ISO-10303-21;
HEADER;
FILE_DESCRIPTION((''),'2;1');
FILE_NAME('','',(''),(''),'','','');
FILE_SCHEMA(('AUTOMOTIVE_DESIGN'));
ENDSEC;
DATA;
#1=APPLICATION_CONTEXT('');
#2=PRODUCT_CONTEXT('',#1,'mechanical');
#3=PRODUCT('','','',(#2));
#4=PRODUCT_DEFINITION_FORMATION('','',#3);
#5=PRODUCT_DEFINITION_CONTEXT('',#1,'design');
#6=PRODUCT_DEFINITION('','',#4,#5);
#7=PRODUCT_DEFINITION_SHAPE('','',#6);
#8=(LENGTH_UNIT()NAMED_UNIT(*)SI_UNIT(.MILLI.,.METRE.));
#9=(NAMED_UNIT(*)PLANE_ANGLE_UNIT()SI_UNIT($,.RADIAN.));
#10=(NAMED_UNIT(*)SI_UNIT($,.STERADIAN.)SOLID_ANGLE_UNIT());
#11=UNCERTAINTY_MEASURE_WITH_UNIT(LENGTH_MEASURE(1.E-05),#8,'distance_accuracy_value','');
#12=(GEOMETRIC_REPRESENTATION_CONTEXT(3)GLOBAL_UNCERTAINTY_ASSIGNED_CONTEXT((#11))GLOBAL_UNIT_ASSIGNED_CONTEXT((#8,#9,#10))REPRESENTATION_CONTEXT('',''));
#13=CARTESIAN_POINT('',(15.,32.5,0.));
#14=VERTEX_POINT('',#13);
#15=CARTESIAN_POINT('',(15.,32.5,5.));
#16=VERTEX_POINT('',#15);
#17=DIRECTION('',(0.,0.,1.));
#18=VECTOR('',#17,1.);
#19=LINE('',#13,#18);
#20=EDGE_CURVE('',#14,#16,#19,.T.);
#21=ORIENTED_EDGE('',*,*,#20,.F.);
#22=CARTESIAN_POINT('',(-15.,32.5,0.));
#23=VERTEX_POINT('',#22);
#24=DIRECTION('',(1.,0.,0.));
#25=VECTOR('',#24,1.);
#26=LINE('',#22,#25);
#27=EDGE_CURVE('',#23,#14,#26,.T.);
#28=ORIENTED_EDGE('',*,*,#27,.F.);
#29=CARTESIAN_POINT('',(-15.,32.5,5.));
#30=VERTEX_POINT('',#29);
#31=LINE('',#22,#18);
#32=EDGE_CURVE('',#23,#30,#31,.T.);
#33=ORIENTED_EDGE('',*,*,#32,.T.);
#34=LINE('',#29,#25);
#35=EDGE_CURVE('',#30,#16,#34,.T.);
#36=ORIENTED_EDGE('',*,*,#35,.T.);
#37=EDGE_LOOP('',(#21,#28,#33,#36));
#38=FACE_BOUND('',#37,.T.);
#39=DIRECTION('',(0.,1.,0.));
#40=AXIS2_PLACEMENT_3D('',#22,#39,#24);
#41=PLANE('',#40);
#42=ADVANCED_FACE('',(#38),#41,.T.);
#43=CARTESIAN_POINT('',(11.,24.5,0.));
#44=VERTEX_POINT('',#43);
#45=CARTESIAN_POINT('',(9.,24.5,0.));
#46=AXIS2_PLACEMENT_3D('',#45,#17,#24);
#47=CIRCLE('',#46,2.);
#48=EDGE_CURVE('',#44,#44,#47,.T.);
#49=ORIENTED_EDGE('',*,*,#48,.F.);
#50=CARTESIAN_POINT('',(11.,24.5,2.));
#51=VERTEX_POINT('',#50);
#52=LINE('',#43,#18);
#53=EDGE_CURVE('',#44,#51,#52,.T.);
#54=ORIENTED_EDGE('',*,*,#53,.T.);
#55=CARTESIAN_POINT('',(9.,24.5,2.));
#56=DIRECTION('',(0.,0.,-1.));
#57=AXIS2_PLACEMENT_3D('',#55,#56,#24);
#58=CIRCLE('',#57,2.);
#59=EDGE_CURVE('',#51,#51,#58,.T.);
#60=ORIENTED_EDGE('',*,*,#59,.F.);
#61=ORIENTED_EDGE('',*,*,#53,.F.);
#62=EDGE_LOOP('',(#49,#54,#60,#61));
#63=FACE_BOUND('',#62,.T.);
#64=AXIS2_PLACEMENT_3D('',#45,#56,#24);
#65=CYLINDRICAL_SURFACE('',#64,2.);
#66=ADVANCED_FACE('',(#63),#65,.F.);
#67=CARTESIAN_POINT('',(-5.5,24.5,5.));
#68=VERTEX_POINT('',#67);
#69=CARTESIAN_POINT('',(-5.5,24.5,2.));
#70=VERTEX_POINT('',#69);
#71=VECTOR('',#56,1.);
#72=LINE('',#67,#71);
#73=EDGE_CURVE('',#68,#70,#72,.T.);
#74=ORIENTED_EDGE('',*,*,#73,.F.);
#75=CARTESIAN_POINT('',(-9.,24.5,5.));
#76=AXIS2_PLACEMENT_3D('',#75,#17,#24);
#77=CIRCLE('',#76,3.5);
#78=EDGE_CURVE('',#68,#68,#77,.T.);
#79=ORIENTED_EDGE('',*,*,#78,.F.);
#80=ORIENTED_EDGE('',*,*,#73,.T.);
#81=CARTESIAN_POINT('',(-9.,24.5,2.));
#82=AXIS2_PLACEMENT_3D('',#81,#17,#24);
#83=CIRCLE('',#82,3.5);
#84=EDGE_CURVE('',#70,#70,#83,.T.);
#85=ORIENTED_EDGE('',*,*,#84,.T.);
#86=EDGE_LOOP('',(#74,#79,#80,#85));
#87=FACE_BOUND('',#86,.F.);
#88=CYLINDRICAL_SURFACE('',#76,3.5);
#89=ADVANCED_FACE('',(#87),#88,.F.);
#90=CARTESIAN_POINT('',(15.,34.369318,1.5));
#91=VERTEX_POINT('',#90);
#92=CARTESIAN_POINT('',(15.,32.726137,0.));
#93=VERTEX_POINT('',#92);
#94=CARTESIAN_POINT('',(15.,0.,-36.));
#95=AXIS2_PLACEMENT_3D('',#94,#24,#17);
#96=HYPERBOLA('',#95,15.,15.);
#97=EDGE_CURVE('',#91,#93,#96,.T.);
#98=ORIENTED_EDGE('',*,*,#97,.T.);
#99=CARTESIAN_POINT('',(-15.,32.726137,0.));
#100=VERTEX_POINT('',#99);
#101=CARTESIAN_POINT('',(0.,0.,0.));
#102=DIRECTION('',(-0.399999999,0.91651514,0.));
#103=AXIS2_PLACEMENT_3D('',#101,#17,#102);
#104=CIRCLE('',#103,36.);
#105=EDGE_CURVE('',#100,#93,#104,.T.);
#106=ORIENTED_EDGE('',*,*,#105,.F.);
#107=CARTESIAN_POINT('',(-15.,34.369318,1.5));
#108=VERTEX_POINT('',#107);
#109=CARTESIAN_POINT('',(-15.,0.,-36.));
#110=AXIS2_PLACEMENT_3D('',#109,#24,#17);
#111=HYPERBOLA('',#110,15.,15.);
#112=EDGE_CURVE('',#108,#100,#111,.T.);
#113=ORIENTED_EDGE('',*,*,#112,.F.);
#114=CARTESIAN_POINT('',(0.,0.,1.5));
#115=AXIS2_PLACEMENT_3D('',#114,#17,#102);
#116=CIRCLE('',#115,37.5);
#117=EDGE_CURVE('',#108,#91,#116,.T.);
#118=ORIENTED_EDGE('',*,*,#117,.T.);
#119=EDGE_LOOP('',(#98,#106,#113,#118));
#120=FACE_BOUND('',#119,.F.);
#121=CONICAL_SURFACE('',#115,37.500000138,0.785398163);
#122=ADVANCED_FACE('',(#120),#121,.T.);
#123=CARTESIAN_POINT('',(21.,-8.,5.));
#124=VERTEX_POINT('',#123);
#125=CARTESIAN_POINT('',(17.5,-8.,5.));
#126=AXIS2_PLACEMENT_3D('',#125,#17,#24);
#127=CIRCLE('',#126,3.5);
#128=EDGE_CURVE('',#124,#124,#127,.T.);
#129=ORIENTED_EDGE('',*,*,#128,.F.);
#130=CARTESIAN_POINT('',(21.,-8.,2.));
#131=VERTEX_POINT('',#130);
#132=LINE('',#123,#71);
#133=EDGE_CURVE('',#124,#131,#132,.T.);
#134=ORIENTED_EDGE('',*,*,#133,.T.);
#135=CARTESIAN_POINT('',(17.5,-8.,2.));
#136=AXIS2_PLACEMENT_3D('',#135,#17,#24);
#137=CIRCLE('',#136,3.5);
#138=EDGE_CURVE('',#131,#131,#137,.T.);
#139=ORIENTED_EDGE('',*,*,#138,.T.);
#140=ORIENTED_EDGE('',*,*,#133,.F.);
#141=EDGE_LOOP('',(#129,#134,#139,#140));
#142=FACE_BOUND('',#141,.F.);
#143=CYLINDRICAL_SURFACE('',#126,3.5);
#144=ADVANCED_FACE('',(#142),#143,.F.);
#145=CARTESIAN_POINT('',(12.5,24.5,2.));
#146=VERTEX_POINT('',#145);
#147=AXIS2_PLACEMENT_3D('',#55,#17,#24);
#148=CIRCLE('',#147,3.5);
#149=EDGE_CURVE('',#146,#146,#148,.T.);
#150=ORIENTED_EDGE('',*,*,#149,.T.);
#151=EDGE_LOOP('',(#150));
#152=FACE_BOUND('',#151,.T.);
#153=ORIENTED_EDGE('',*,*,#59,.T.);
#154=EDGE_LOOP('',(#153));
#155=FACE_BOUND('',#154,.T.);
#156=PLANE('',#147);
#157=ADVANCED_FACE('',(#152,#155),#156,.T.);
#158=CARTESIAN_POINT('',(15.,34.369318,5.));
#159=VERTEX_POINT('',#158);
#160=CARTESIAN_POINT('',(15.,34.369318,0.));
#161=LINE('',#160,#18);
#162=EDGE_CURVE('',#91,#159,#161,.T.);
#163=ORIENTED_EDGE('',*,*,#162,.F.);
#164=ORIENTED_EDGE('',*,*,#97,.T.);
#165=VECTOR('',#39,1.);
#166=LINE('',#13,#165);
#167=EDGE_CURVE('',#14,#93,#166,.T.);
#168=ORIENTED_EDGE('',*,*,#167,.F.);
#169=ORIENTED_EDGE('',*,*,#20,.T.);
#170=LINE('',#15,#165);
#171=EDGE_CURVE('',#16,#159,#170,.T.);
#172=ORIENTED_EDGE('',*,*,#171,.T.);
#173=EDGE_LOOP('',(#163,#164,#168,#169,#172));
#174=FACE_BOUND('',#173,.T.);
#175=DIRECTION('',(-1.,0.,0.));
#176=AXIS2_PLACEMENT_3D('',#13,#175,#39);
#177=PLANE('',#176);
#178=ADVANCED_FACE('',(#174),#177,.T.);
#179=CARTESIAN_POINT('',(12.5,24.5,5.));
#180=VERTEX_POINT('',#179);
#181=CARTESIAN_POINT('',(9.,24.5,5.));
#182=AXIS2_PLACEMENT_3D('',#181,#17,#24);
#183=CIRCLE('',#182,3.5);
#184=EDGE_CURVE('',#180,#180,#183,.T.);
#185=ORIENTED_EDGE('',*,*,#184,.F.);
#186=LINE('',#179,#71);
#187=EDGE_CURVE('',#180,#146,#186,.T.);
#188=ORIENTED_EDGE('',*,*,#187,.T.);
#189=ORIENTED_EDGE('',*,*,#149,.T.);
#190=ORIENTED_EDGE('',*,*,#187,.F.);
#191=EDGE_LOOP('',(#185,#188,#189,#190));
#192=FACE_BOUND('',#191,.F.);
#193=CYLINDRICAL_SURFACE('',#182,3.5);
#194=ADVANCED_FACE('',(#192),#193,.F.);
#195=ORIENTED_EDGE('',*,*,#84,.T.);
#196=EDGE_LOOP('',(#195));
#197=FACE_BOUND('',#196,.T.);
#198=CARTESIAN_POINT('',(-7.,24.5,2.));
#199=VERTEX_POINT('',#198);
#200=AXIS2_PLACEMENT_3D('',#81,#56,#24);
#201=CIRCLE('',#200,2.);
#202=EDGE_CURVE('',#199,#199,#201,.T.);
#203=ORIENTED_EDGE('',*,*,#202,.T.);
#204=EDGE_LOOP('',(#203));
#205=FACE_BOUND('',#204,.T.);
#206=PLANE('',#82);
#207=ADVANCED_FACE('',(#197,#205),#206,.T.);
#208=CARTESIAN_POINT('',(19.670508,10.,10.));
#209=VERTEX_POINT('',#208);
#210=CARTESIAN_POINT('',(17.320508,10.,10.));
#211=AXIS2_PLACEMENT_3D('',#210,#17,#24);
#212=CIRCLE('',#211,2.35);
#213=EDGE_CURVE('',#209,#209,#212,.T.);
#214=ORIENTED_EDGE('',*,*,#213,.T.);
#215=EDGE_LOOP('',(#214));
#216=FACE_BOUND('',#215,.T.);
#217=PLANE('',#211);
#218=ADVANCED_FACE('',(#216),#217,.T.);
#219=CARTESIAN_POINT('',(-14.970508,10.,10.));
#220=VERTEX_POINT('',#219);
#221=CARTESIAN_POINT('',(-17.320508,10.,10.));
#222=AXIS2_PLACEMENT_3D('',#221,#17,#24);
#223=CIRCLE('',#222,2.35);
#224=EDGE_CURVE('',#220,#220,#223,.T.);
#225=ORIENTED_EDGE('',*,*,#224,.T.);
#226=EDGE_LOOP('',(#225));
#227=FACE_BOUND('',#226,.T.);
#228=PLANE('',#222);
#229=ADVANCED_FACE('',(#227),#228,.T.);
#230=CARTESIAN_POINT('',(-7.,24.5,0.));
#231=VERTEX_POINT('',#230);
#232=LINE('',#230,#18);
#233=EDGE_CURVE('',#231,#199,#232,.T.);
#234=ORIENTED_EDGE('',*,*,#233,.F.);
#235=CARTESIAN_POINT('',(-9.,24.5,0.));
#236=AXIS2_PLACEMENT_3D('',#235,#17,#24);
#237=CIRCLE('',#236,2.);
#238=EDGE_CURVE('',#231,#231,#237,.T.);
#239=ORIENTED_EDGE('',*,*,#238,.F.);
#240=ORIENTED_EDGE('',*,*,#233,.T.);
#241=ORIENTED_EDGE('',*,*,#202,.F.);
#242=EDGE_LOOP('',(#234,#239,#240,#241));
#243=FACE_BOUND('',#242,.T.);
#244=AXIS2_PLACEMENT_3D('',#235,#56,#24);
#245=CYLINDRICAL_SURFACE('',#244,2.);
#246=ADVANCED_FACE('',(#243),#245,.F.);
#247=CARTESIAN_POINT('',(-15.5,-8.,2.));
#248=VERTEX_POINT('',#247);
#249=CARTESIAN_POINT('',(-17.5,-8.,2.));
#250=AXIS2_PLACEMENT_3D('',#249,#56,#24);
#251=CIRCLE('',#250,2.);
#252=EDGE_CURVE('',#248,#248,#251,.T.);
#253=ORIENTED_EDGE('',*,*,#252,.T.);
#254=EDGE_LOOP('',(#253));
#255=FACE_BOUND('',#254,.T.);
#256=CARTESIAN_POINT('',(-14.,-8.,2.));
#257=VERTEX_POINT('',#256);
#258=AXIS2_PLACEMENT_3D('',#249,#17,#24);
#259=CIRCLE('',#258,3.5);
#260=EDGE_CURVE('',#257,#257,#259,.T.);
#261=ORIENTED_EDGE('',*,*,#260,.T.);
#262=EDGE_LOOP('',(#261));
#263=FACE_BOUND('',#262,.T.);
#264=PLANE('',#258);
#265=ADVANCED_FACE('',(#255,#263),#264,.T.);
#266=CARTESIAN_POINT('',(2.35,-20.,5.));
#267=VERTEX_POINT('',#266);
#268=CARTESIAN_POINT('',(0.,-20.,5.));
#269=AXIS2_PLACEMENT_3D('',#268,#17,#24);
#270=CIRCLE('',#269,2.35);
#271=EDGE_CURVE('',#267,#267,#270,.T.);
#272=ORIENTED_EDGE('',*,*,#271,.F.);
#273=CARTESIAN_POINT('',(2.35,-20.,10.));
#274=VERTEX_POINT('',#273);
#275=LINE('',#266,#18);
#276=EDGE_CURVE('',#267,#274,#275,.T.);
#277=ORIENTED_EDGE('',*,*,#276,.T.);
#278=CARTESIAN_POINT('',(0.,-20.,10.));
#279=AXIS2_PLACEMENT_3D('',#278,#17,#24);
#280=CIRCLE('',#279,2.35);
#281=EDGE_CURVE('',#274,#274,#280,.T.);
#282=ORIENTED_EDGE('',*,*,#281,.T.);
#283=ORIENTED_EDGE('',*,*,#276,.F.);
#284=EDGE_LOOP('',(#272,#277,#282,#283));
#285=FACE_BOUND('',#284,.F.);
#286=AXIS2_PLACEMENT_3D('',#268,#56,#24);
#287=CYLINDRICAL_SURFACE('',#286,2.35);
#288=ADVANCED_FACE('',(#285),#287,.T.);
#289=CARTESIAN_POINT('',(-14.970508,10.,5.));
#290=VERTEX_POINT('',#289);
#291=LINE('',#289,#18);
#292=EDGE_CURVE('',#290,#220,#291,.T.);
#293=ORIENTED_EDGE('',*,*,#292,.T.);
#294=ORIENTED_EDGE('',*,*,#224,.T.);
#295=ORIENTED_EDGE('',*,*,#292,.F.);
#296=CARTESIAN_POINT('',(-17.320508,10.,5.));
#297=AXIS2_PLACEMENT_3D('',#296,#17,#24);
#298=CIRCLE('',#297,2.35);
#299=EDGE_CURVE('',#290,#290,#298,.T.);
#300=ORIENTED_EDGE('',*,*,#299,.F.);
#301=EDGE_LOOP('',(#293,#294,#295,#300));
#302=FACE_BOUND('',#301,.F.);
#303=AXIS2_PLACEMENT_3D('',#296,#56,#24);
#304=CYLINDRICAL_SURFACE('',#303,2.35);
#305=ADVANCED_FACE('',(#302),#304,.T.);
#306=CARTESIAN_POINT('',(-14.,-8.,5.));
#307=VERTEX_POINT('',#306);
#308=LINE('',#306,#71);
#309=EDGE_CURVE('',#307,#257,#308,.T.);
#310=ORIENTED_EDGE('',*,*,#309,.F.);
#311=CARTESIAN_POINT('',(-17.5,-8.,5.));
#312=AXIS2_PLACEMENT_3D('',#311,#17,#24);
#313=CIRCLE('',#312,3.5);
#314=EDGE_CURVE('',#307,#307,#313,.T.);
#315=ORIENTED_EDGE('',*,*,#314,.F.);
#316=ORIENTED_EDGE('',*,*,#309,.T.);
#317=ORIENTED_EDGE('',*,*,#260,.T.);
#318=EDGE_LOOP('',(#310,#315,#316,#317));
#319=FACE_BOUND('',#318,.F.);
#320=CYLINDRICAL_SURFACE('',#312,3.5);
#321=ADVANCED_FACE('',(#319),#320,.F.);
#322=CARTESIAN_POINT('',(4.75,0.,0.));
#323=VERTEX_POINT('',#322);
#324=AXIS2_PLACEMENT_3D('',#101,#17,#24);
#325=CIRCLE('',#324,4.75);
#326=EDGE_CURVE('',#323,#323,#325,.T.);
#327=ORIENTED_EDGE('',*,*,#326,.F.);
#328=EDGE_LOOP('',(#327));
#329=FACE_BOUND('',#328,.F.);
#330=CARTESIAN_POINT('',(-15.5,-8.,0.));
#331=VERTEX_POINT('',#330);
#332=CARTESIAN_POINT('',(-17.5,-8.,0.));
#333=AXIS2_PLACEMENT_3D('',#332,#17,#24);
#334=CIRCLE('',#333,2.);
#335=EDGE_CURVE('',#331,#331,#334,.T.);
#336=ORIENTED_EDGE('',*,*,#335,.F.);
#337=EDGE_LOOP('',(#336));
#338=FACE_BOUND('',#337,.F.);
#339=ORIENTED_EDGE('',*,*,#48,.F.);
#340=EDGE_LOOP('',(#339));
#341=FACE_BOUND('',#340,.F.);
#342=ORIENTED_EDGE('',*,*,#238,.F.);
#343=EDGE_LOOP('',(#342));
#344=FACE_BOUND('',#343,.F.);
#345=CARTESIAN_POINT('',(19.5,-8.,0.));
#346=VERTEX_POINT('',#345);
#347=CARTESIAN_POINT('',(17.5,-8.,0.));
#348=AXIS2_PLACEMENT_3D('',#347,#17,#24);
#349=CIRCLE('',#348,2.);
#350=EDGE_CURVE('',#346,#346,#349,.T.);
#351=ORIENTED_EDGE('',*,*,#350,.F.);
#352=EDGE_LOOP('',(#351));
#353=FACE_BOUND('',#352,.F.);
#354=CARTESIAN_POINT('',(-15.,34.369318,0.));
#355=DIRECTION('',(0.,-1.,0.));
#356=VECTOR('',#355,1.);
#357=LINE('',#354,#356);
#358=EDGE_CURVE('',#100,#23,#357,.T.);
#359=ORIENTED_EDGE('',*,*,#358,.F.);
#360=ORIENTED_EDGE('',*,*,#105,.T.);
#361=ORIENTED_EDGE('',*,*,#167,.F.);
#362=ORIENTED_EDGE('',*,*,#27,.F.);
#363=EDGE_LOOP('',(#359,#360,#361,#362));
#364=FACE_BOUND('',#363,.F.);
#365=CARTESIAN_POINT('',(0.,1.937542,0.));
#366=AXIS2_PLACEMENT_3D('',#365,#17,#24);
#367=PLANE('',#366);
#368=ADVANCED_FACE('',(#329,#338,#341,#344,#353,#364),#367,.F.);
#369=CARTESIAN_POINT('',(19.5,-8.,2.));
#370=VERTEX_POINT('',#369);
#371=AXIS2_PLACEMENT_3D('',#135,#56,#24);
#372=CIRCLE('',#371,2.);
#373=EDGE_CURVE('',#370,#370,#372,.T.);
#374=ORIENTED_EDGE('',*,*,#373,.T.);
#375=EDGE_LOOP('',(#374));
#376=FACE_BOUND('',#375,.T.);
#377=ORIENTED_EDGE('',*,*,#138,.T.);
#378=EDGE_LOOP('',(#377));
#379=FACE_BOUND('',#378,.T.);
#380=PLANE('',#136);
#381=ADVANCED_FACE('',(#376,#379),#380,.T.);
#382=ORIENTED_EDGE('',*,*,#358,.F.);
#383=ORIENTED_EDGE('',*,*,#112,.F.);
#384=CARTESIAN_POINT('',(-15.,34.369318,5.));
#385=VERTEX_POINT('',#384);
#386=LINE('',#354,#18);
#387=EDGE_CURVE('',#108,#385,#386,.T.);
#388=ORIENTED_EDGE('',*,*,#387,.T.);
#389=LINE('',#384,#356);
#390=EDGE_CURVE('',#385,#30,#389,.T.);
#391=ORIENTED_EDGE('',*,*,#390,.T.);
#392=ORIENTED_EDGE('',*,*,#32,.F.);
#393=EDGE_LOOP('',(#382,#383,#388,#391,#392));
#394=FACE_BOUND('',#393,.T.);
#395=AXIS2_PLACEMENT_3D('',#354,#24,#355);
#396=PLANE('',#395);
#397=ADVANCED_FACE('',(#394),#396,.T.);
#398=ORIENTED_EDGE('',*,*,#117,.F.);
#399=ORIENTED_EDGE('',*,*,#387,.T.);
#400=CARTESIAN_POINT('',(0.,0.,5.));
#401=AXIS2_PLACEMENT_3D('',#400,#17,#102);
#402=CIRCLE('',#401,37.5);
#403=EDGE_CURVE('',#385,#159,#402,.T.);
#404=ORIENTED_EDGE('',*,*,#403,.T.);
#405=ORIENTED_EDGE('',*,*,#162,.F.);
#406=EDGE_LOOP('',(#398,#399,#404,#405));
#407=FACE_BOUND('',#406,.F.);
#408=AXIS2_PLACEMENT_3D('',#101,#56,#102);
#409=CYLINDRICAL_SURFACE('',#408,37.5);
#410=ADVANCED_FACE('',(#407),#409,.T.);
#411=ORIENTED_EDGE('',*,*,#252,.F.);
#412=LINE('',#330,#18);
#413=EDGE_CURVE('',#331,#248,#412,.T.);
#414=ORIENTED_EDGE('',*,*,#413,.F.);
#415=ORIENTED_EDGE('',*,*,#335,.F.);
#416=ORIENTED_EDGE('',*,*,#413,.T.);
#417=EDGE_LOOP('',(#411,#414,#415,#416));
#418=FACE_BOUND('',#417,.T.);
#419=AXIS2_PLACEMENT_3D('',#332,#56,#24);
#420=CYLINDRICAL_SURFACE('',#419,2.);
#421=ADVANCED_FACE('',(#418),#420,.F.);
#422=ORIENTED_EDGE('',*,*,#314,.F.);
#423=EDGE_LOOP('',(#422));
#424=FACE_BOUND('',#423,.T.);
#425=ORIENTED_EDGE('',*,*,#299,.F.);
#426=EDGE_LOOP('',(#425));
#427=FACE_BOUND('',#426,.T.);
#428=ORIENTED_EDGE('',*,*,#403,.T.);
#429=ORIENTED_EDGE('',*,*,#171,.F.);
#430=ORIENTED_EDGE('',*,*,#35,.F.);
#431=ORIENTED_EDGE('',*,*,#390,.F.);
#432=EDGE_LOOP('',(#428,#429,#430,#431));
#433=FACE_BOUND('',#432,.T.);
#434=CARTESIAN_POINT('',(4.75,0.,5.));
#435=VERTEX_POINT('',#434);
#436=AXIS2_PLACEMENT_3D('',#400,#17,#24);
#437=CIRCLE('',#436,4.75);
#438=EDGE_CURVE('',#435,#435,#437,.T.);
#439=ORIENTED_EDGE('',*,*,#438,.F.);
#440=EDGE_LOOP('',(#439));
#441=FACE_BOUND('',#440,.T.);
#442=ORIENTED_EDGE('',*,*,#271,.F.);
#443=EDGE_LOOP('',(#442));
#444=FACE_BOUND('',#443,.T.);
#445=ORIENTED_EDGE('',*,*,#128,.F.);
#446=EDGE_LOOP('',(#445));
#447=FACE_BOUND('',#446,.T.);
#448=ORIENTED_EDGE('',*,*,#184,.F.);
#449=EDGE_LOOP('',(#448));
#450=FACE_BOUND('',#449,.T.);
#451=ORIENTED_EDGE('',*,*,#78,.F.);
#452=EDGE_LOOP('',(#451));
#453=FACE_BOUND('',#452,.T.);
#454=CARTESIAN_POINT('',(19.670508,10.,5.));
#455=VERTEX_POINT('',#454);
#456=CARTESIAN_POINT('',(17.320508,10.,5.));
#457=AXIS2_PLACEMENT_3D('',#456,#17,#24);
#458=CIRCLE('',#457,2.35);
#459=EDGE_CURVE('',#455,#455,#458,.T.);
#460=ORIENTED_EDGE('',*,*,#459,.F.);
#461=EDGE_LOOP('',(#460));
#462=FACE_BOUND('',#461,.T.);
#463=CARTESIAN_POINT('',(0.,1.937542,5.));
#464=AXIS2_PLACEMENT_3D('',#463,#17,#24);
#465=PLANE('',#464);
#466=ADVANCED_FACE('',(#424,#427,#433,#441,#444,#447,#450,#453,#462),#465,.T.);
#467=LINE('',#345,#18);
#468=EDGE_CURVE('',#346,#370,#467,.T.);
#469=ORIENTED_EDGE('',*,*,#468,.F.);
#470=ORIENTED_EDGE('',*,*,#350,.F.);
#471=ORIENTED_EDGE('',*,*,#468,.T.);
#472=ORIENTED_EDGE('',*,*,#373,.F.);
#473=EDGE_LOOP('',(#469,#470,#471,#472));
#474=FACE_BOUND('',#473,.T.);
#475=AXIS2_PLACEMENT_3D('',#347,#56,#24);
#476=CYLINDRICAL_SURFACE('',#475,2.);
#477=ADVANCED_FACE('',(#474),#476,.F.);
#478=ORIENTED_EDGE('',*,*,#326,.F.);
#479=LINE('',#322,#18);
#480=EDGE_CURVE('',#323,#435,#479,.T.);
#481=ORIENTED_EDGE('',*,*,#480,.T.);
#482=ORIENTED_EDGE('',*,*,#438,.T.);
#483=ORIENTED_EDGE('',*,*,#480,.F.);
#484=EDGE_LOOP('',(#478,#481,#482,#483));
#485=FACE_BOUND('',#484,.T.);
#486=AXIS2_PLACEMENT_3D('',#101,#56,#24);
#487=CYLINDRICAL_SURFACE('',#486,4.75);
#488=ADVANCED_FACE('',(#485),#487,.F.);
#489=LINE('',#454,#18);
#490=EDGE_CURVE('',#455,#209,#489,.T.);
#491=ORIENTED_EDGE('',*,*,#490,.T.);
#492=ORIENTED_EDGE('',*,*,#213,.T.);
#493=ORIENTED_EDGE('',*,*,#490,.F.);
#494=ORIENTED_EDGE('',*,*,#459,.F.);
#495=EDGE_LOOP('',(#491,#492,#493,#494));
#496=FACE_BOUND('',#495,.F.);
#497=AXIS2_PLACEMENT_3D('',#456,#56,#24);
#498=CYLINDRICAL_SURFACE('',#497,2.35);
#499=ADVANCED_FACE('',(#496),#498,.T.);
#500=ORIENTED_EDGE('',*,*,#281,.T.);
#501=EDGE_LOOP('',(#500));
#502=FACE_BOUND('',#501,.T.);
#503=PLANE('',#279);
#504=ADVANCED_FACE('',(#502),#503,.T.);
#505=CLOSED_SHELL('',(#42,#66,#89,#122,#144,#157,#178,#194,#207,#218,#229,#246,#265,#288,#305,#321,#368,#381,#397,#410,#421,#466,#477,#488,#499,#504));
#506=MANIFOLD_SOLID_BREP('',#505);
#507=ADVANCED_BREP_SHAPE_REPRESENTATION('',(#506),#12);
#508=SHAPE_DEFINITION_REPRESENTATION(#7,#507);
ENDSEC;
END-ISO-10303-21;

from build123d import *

# Parameters (mm, degrees)
SKETCH_R     = 4.75
SKETCH_R_2   = 2
PAD_DEPTH    = 5
SKETCH001_R  = 2.35
PAD001_DEPTH = 5
SKETCH002_R  = 3.5
POCKET_DEPTH = 3
CHAMFER_SIZE = 1.5


with BuildPart() as part:
    # Sketch → Pad (new body)
    with BuildSketch(Plane.XY):
        with BuildLine():
            ThreePointArc((-15, 34.369318), (0, -37.5), (15, 34.369318))
            Line((15, 32.5), (15, 34.369318))
            Line((-15, 32.5), (15, 32.5))
            Line((-15, 34.369318), (-15, 32.5))
        make_face()
        Circle(SKETCH_R, mode=Mode.SUBTRACT)
        with Locations((-9, 24.5)):
            Circle(SKETCH_R_2, mode=Mode.SUBTRACT)
        with Locations((9, 24.5)):
            Circle(SKETCH_R_2, mode=Mode.SUBTRACT)
        with Locations((-17.5, -8)):
            Circle(SKETCH_R_2, mode=Mode.SUBTRACT)
        with Locations((17.5, -8)):
            Circle(SKETCH_R_2, mode=Mode.SUBTRACT)
    extrude(amount=PAD_DEPTH)

    # Sketch001 (on Face11 of Pad) → Pad001 (join)
    with BuildSketch(Plane.XY.offset(5)):
        with Locations((17.320508, 10)):
            Circle(SKETCH001_R)
        with Locations((-17.320508, 10)):
            Circle(SKETCH001_R)
        with Locations((0, -20)):
            Circle(SKETCH001_R)
    extrude(amount=PAD001_DEPTH)

    # Sketch002 (on Face5 of Pad001) → Pocket (cut)
    with BuildSketch(Plane.XY.offset(5)):
        with Locations((-9, 24.5)):
            Circle(SKETCH002_R)
        with Locations((9, 24.5)):
            Circle(SKETCH002_R)
        with Locations((17.5, -8)):
            Circle(SKETCH002_R)
        with Locations((-17.5, -8)):
            Circle(SKETCH002_R)
    extrude(amount=-POCKET_DEPTH, mode=Mode.SUBTRACT)

    # Chamfer
    chamfer_edges = [part.edges().sort_by_distance(p)[0] for p in [
        (0, -37.5, 0),
    ]]
    chamfer(chamfer_edges, length=CHAMFER_SIZE)


solid = part.part
